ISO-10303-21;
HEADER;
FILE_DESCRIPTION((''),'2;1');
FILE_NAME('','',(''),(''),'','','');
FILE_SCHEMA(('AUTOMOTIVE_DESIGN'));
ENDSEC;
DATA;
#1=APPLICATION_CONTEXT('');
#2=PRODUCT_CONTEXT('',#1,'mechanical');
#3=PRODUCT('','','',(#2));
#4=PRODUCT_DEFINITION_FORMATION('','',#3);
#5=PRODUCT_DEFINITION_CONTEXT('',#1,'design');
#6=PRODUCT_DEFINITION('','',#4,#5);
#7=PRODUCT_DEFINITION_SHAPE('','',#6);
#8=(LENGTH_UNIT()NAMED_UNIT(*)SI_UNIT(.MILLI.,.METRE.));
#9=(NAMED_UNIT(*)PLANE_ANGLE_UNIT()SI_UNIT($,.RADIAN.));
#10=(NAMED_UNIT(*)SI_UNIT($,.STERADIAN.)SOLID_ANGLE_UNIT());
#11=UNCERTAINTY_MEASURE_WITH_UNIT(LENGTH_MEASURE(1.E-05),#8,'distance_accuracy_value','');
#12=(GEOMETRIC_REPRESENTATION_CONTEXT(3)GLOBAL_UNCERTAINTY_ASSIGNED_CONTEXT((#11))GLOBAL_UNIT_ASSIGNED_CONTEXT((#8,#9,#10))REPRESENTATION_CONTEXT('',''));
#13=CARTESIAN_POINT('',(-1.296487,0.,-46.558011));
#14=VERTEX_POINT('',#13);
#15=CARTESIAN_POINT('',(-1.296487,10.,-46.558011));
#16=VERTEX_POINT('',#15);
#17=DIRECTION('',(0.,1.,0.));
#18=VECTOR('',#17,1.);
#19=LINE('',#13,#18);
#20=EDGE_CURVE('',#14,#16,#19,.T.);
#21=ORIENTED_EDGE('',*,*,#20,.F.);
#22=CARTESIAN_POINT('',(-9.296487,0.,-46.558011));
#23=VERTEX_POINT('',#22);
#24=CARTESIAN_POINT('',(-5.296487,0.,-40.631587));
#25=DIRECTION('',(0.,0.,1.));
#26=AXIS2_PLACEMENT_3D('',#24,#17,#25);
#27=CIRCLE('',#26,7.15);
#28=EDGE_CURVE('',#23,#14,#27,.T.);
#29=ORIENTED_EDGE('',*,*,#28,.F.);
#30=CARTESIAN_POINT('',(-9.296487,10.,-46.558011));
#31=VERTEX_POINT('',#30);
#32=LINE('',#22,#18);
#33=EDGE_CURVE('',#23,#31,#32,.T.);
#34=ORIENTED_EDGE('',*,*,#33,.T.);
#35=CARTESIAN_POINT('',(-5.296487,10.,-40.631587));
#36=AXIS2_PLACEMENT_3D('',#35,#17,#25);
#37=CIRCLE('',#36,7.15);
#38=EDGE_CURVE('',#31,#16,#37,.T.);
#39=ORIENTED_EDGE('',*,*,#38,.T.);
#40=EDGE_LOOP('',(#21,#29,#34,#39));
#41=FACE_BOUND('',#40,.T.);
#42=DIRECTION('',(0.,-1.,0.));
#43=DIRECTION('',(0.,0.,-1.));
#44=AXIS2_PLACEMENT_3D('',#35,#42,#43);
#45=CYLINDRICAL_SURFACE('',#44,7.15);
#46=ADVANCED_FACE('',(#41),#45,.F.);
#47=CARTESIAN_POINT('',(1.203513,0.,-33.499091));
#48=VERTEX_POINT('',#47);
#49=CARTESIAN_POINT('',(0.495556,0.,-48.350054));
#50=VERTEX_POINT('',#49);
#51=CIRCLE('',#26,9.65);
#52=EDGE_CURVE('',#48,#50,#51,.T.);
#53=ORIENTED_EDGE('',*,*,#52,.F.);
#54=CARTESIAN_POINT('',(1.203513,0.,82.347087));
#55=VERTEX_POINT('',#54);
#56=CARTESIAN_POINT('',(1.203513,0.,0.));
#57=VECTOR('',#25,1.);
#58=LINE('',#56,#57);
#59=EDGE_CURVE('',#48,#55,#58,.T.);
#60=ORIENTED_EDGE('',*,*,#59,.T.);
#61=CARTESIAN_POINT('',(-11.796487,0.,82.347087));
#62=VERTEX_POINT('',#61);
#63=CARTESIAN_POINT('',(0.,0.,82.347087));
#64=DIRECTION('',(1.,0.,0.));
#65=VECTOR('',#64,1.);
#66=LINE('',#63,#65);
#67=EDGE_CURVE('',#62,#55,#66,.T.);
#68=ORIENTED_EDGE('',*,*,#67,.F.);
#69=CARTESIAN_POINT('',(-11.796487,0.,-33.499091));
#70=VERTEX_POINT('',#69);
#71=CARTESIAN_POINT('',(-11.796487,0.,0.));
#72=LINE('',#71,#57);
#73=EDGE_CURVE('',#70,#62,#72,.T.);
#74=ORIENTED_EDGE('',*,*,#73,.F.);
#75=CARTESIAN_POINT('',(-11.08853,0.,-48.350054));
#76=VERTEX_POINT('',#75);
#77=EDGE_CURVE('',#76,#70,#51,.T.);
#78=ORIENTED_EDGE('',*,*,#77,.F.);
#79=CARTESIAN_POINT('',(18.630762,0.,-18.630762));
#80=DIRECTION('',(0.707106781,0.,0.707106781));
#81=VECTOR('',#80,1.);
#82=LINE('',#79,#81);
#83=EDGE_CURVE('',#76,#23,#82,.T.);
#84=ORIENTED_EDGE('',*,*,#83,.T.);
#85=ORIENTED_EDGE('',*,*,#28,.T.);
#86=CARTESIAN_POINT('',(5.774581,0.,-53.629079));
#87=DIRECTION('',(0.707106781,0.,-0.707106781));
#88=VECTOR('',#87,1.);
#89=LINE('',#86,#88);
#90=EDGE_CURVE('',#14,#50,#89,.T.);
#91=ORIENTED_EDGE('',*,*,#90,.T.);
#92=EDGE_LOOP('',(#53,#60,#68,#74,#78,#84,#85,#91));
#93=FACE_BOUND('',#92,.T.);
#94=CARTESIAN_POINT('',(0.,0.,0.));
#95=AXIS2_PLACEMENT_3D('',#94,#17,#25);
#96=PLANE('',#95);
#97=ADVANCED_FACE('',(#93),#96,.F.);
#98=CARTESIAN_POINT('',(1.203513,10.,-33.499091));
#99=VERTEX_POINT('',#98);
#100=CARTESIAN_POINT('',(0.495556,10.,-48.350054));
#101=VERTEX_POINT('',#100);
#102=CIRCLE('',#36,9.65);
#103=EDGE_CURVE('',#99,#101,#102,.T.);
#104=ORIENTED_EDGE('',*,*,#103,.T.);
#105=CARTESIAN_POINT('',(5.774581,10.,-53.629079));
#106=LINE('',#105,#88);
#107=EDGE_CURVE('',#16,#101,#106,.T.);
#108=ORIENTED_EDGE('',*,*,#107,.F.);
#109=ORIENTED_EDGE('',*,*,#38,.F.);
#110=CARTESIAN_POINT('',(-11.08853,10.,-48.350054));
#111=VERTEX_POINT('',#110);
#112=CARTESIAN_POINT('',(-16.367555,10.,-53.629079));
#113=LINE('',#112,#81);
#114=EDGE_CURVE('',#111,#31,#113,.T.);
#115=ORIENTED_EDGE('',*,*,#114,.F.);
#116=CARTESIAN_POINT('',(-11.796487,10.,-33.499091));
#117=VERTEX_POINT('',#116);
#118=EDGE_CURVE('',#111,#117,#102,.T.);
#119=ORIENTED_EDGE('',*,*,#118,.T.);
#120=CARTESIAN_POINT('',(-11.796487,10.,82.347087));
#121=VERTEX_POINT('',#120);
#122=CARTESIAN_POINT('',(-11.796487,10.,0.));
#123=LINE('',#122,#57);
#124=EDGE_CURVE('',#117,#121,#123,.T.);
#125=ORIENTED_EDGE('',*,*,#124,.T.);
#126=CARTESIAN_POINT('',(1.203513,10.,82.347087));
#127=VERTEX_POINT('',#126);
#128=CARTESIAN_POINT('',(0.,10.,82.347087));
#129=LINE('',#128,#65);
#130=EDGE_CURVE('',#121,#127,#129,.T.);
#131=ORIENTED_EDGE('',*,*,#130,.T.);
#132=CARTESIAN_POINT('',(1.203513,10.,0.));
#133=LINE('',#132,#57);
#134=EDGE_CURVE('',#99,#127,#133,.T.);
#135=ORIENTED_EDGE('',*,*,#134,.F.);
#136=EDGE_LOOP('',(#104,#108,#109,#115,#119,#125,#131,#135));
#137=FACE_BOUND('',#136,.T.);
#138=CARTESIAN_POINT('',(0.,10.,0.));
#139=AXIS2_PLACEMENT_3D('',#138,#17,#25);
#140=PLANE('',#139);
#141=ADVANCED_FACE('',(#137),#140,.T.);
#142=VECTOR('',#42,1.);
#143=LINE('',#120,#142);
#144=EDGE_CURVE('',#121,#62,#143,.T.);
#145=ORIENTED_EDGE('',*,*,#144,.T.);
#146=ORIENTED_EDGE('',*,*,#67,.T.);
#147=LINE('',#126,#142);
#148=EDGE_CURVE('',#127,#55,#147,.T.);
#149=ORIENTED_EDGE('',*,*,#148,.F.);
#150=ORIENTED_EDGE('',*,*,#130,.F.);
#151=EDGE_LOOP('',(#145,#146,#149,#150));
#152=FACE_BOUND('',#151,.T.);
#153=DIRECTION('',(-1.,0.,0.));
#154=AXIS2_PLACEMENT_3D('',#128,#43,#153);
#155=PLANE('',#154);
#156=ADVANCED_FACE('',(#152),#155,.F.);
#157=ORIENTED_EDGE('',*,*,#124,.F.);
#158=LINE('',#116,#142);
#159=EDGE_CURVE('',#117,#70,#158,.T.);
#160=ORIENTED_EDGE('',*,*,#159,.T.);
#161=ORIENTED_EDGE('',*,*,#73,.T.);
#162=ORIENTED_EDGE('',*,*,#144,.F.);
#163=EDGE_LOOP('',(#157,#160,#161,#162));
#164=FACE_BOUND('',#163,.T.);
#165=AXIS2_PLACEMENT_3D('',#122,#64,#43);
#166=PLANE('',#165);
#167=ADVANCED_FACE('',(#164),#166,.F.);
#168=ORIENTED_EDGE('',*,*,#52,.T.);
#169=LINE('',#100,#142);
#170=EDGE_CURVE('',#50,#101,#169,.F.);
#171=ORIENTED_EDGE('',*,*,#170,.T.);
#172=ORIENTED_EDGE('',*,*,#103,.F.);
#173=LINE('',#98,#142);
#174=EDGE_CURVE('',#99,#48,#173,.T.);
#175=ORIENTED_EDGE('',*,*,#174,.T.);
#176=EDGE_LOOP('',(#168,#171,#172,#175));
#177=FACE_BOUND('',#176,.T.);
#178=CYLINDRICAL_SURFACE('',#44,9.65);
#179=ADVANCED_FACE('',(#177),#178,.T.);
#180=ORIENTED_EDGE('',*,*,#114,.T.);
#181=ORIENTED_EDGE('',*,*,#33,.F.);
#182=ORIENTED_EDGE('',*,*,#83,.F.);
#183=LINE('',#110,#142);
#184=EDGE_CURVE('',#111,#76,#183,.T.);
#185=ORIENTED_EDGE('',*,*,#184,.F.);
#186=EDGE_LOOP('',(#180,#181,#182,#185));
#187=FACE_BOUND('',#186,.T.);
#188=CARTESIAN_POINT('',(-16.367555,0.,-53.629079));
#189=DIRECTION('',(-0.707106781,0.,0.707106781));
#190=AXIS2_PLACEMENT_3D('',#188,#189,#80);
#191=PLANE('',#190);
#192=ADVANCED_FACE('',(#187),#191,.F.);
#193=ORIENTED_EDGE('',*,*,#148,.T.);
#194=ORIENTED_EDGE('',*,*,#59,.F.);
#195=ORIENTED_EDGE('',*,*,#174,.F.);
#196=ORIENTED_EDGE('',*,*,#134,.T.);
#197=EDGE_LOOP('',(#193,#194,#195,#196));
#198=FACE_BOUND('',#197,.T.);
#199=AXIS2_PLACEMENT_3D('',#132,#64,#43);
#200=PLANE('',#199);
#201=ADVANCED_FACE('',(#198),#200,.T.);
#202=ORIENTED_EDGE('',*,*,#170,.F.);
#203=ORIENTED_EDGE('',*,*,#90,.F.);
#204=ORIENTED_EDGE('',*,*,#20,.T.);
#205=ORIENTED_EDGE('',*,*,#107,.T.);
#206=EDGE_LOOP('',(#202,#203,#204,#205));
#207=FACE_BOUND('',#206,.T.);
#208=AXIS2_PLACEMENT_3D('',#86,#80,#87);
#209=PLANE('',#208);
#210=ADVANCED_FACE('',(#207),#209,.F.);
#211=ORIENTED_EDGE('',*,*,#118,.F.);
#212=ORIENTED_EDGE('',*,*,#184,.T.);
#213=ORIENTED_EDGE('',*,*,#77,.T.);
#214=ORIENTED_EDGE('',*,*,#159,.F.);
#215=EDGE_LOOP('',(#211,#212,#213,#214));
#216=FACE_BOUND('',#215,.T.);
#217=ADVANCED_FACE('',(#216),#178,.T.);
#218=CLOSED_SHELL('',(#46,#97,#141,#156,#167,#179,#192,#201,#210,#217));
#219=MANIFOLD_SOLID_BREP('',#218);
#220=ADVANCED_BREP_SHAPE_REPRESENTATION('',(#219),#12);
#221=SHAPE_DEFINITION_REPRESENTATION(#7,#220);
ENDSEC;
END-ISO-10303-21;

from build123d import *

# Parameters (mm, degrees)
SCHIZZO1_R                   = 7.15
ESTRUSIONE_ESTRUSIONE1_DEPTH = 10
TAGLIO_ESTRUSIONE1_DEPTH     = 85.287841486


with BuildPart() as part:
    # Schizzo1 → Estrusione-Estrusione1 (new body)
    with BuildSketch(Plane(origin=(0, 0, 0), x_dir=(1, 0, 0), z_dir=(0, 1, 0))):
        with BuildLine():
            Line((-11.796487194, 33.499091111), (-11.796487194, -82.347087033))
            Line((-11.796487194, -82.347087033), (1.203512806, -82.347087033))
            Line((1.203512806, -82.347087033), (1.203512806, 33.499091111))
            ThreePointArc((1.203512806, 33.499091111), (-5.296487194, 50.281587168), (-11.796487194, 33.499091111))
        make_face()
        with Locations((-5.296487194, 40.631587168)):
            Circle(SCHIZZO1_R, mode=Mode.SUBTRACT)
    extrude(amount=ESTRUSIONE_ESTRUSIONE1_DEPTH)

    # Schizzo2 → Taglio-Estrusione1 (cut, through all)
    with BuildSketch(Plane(origin=(0, 10, 0), x_dir=(1, 0, 0), z_dir=(0, 1, 0))):
        Polygon((-16.367555006, 53.62907886), (5.774580618, 53.62907886), (-1.296487194, 46.558011048), (-9.296487194, 46.558011048), align=None)
    extrude(amount=-TAGLIO_ESTRUSIONE1_DEPTH, mode=Mode.SUBTRACT)


solid = part.part
